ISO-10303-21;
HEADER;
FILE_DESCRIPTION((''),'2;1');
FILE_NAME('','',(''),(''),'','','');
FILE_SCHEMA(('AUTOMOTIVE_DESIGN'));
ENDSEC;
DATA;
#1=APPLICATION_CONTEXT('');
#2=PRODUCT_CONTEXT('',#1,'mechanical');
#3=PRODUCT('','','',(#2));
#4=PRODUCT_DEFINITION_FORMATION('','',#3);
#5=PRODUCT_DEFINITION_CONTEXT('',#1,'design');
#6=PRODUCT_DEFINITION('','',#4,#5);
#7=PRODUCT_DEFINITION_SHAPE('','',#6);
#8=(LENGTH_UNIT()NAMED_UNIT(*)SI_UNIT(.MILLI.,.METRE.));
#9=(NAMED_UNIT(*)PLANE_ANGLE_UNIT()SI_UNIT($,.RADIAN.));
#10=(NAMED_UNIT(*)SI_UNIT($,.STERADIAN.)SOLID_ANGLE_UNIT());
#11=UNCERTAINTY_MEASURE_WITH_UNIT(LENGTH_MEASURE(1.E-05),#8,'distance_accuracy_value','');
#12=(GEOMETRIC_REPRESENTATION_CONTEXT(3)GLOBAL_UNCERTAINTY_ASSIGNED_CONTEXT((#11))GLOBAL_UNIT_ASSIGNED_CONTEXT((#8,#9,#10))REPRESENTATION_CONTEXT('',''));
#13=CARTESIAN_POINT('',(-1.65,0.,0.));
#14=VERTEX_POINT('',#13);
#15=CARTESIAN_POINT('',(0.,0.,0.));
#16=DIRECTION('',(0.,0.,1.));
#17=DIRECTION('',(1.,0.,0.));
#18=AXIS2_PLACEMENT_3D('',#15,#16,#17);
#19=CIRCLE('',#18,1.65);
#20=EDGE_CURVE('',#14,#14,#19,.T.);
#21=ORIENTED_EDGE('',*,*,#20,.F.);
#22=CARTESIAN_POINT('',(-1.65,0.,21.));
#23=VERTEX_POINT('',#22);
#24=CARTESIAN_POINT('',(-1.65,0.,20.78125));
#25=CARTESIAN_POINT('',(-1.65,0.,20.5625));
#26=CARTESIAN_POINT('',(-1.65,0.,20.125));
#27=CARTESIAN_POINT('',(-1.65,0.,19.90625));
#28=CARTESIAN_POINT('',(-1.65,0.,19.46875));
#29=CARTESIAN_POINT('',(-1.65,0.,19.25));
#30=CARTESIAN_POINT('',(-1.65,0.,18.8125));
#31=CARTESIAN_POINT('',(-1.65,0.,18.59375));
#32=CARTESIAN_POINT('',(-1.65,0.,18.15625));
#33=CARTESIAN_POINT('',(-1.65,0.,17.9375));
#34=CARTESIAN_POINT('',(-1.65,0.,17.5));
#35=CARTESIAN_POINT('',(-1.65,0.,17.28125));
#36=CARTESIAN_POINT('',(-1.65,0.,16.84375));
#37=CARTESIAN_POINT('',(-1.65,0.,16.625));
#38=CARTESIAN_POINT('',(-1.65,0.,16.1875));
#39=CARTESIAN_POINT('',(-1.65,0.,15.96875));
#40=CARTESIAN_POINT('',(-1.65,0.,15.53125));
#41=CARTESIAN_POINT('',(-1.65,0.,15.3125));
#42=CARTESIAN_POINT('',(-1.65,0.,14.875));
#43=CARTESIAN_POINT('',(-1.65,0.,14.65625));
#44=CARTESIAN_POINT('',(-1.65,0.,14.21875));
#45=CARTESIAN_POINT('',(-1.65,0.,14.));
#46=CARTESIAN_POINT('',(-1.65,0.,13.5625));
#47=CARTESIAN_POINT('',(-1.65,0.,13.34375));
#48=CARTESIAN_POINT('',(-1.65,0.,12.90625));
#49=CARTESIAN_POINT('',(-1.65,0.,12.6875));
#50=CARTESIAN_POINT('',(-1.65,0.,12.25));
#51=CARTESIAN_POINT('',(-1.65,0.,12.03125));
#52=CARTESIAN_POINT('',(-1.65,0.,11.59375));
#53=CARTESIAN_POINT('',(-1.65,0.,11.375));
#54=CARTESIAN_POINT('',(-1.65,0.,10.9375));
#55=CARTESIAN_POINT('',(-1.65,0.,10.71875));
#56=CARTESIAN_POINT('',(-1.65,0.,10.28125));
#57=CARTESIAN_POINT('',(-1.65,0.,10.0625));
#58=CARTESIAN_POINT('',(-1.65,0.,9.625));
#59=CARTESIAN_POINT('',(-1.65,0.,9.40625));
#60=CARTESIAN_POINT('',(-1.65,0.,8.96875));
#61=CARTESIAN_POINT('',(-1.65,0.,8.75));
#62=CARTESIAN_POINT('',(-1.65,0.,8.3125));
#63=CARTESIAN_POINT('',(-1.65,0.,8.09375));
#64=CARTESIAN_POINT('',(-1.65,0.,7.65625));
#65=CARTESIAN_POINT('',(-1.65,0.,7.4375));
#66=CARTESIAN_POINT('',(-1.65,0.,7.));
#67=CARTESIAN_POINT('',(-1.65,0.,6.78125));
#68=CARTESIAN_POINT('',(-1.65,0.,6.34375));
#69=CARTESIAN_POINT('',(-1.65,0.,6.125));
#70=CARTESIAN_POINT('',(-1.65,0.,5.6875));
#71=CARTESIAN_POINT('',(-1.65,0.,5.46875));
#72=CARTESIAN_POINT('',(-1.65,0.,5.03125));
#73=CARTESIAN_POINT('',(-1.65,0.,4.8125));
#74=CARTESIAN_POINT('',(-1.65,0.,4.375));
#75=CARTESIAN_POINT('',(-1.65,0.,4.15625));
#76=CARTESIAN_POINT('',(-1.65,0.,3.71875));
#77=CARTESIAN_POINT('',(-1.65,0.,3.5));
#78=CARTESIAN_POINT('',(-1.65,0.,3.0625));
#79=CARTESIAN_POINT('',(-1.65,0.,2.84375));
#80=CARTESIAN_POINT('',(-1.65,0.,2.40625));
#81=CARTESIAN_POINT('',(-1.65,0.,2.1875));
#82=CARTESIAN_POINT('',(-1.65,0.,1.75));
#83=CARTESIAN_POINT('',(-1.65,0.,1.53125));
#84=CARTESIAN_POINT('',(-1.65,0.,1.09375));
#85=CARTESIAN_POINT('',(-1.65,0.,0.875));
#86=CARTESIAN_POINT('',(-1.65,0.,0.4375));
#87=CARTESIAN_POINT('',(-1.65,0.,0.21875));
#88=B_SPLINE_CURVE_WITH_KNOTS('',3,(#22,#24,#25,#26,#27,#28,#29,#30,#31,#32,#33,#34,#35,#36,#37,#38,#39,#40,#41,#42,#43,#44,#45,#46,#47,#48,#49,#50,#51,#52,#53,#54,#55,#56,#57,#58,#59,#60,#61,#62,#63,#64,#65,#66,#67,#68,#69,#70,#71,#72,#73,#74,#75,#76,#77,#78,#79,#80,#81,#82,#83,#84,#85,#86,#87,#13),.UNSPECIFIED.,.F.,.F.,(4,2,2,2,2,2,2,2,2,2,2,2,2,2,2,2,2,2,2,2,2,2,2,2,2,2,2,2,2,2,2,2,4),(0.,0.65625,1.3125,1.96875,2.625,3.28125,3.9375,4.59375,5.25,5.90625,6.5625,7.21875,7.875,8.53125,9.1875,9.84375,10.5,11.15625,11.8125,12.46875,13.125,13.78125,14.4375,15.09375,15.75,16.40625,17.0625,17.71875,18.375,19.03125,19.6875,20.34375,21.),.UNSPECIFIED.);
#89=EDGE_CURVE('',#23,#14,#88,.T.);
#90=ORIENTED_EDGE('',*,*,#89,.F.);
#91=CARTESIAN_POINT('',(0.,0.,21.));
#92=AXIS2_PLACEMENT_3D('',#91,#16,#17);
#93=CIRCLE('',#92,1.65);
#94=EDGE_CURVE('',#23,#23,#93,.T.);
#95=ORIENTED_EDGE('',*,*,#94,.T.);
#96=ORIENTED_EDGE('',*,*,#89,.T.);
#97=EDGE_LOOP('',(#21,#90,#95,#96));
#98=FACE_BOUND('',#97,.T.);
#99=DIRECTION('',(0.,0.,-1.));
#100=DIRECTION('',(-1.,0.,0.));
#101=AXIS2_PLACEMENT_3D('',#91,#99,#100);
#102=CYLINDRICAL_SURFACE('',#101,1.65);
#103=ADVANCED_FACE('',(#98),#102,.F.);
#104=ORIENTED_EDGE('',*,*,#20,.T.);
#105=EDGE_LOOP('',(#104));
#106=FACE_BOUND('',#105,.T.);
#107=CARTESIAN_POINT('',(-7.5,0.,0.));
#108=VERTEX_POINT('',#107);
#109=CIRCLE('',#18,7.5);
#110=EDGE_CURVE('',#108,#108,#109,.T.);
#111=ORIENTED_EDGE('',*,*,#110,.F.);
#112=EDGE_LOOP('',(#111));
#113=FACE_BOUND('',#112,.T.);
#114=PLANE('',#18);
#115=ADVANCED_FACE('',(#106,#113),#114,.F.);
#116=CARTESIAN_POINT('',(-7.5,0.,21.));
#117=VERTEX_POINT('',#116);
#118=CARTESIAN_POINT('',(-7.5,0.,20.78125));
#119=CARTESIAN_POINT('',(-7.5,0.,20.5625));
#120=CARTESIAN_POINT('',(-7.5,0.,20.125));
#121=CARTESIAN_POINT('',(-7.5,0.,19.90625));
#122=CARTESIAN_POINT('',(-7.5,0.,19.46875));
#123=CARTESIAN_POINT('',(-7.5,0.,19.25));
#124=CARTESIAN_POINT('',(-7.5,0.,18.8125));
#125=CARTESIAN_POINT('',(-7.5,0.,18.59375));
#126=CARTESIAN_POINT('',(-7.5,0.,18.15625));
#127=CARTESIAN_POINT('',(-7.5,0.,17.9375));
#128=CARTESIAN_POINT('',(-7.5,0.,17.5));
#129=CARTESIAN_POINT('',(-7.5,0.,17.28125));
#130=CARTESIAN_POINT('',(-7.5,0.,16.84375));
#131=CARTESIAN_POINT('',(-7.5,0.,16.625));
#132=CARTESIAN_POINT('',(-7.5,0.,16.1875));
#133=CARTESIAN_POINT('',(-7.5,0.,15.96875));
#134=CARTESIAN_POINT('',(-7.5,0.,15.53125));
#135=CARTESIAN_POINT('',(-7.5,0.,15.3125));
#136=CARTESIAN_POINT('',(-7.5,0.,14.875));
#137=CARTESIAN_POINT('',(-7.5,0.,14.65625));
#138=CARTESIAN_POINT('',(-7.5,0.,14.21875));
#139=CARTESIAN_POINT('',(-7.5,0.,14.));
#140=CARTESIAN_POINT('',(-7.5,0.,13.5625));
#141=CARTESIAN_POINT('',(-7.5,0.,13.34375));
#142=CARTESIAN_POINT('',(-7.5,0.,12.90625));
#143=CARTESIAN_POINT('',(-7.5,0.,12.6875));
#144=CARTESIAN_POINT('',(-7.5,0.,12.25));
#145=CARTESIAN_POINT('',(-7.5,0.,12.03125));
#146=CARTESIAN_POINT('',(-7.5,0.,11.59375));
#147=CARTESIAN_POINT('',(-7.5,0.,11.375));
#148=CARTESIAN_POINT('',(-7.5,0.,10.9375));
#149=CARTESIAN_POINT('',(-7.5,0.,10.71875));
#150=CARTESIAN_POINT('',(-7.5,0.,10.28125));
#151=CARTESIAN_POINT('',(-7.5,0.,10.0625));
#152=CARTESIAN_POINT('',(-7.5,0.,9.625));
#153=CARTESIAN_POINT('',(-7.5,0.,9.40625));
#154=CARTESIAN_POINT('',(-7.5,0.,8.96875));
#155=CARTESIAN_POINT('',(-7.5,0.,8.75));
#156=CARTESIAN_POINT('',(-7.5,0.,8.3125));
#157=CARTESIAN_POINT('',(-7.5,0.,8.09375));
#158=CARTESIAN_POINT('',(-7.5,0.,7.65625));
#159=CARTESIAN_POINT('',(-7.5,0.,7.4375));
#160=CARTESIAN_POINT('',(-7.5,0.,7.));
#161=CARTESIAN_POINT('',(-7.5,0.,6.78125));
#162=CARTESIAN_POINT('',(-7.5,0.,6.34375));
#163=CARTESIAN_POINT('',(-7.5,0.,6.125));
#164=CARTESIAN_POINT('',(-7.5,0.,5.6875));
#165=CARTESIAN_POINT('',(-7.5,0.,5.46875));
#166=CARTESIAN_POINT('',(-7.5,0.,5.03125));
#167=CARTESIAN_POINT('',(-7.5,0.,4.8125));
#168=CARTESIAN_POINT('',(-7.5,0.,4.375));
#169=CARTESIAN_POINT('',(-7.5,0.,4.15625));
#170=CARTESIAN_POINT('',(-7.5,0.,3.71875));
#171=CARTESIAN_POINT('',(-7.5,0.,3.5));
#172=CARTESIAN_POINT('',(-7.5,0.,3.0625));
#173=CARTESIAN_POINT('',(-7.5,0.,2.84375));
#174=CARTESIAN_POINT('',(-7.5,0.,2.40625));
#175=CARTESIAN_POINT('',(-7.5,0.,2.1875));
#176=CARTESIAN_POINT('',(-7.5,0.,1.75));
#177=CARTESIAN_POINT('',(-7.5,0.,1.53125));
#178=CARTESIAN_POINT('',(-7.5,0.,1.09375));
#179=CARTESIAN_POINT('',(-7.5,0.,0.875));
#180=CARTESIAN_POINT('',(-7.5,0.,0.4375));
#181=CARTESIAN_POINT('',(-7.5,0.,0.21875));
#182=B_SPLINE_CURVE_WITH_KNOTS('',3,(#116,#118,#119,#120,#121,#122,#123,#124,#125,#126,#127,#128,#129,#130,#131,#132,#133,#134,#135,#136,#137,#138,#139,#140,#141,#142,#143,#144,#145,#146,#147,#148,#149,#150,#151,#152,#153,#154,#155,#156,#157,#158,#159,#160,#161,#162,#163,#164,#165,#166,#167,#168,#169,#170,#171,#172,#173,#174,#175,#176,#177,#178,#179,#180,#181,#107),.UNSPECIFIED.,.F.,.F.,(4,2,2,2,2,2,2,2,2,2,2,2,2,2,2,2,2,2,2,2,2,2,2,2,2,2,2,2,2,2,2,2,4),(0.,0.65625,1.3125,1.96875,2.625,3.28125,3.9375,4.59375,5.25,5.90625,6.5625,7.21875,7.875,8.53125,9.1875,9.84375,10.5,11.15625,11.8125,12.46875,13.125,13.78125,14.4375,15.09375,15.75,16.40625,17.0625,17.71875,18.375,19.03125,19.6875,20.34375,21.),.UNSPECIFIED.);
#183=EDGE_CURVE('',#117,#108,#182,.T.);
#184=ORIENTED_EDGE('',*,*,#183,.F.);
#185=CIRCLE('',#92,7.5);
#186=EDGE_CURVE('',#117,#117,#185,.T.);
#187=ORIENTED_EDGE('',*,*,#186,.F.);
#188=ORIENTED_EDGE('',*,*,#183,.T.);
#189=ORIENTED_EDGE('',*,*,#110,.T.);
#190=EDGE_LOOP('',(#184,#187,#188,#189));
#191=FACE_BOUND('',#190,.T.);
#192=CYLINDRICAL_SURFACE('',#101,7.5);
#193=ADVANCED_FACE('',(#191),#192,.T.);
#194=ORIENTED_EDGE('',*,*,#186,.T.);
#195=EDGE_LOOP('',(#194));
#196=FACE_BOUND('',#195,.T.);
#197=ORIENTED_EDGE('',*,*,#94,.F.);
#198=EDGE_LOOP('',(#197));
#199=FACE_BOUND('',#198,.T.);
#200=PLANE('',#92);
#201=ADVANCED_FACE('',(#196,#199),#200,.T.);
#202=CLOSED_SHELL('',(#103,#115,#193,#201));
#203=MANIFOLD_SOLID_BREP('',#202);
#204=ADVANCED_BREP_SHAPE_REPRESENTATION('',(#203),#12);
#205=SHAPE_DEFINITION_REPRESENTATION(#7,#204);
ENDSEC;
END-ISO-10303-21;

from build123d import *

# Parameters (mm, degrees)
ESBO_O1_R                = 7.5
ESBO_O1_R_2              = 1.65
RESSALTO_EXTRUS_O1_DEPTH = 21


with BuildPart() as part:
    # Esboço1 → Ressalto-extrusão1 (new body)
    with BuildSketch(Plane.XY):
        with Locations(Location((0, 0, 0), (0, 0, 180))):
            Circle(ESBO_O1_R)
        with Locations(Location((0, 0, 0), (0, 0, 180))):
            Circle(ESBO_O1_R_2, mode=Mode.SUBTRACT)
    extrude(amount=RESSALTO_EXTRUS_O1_DEPTH)


solid = part.part
